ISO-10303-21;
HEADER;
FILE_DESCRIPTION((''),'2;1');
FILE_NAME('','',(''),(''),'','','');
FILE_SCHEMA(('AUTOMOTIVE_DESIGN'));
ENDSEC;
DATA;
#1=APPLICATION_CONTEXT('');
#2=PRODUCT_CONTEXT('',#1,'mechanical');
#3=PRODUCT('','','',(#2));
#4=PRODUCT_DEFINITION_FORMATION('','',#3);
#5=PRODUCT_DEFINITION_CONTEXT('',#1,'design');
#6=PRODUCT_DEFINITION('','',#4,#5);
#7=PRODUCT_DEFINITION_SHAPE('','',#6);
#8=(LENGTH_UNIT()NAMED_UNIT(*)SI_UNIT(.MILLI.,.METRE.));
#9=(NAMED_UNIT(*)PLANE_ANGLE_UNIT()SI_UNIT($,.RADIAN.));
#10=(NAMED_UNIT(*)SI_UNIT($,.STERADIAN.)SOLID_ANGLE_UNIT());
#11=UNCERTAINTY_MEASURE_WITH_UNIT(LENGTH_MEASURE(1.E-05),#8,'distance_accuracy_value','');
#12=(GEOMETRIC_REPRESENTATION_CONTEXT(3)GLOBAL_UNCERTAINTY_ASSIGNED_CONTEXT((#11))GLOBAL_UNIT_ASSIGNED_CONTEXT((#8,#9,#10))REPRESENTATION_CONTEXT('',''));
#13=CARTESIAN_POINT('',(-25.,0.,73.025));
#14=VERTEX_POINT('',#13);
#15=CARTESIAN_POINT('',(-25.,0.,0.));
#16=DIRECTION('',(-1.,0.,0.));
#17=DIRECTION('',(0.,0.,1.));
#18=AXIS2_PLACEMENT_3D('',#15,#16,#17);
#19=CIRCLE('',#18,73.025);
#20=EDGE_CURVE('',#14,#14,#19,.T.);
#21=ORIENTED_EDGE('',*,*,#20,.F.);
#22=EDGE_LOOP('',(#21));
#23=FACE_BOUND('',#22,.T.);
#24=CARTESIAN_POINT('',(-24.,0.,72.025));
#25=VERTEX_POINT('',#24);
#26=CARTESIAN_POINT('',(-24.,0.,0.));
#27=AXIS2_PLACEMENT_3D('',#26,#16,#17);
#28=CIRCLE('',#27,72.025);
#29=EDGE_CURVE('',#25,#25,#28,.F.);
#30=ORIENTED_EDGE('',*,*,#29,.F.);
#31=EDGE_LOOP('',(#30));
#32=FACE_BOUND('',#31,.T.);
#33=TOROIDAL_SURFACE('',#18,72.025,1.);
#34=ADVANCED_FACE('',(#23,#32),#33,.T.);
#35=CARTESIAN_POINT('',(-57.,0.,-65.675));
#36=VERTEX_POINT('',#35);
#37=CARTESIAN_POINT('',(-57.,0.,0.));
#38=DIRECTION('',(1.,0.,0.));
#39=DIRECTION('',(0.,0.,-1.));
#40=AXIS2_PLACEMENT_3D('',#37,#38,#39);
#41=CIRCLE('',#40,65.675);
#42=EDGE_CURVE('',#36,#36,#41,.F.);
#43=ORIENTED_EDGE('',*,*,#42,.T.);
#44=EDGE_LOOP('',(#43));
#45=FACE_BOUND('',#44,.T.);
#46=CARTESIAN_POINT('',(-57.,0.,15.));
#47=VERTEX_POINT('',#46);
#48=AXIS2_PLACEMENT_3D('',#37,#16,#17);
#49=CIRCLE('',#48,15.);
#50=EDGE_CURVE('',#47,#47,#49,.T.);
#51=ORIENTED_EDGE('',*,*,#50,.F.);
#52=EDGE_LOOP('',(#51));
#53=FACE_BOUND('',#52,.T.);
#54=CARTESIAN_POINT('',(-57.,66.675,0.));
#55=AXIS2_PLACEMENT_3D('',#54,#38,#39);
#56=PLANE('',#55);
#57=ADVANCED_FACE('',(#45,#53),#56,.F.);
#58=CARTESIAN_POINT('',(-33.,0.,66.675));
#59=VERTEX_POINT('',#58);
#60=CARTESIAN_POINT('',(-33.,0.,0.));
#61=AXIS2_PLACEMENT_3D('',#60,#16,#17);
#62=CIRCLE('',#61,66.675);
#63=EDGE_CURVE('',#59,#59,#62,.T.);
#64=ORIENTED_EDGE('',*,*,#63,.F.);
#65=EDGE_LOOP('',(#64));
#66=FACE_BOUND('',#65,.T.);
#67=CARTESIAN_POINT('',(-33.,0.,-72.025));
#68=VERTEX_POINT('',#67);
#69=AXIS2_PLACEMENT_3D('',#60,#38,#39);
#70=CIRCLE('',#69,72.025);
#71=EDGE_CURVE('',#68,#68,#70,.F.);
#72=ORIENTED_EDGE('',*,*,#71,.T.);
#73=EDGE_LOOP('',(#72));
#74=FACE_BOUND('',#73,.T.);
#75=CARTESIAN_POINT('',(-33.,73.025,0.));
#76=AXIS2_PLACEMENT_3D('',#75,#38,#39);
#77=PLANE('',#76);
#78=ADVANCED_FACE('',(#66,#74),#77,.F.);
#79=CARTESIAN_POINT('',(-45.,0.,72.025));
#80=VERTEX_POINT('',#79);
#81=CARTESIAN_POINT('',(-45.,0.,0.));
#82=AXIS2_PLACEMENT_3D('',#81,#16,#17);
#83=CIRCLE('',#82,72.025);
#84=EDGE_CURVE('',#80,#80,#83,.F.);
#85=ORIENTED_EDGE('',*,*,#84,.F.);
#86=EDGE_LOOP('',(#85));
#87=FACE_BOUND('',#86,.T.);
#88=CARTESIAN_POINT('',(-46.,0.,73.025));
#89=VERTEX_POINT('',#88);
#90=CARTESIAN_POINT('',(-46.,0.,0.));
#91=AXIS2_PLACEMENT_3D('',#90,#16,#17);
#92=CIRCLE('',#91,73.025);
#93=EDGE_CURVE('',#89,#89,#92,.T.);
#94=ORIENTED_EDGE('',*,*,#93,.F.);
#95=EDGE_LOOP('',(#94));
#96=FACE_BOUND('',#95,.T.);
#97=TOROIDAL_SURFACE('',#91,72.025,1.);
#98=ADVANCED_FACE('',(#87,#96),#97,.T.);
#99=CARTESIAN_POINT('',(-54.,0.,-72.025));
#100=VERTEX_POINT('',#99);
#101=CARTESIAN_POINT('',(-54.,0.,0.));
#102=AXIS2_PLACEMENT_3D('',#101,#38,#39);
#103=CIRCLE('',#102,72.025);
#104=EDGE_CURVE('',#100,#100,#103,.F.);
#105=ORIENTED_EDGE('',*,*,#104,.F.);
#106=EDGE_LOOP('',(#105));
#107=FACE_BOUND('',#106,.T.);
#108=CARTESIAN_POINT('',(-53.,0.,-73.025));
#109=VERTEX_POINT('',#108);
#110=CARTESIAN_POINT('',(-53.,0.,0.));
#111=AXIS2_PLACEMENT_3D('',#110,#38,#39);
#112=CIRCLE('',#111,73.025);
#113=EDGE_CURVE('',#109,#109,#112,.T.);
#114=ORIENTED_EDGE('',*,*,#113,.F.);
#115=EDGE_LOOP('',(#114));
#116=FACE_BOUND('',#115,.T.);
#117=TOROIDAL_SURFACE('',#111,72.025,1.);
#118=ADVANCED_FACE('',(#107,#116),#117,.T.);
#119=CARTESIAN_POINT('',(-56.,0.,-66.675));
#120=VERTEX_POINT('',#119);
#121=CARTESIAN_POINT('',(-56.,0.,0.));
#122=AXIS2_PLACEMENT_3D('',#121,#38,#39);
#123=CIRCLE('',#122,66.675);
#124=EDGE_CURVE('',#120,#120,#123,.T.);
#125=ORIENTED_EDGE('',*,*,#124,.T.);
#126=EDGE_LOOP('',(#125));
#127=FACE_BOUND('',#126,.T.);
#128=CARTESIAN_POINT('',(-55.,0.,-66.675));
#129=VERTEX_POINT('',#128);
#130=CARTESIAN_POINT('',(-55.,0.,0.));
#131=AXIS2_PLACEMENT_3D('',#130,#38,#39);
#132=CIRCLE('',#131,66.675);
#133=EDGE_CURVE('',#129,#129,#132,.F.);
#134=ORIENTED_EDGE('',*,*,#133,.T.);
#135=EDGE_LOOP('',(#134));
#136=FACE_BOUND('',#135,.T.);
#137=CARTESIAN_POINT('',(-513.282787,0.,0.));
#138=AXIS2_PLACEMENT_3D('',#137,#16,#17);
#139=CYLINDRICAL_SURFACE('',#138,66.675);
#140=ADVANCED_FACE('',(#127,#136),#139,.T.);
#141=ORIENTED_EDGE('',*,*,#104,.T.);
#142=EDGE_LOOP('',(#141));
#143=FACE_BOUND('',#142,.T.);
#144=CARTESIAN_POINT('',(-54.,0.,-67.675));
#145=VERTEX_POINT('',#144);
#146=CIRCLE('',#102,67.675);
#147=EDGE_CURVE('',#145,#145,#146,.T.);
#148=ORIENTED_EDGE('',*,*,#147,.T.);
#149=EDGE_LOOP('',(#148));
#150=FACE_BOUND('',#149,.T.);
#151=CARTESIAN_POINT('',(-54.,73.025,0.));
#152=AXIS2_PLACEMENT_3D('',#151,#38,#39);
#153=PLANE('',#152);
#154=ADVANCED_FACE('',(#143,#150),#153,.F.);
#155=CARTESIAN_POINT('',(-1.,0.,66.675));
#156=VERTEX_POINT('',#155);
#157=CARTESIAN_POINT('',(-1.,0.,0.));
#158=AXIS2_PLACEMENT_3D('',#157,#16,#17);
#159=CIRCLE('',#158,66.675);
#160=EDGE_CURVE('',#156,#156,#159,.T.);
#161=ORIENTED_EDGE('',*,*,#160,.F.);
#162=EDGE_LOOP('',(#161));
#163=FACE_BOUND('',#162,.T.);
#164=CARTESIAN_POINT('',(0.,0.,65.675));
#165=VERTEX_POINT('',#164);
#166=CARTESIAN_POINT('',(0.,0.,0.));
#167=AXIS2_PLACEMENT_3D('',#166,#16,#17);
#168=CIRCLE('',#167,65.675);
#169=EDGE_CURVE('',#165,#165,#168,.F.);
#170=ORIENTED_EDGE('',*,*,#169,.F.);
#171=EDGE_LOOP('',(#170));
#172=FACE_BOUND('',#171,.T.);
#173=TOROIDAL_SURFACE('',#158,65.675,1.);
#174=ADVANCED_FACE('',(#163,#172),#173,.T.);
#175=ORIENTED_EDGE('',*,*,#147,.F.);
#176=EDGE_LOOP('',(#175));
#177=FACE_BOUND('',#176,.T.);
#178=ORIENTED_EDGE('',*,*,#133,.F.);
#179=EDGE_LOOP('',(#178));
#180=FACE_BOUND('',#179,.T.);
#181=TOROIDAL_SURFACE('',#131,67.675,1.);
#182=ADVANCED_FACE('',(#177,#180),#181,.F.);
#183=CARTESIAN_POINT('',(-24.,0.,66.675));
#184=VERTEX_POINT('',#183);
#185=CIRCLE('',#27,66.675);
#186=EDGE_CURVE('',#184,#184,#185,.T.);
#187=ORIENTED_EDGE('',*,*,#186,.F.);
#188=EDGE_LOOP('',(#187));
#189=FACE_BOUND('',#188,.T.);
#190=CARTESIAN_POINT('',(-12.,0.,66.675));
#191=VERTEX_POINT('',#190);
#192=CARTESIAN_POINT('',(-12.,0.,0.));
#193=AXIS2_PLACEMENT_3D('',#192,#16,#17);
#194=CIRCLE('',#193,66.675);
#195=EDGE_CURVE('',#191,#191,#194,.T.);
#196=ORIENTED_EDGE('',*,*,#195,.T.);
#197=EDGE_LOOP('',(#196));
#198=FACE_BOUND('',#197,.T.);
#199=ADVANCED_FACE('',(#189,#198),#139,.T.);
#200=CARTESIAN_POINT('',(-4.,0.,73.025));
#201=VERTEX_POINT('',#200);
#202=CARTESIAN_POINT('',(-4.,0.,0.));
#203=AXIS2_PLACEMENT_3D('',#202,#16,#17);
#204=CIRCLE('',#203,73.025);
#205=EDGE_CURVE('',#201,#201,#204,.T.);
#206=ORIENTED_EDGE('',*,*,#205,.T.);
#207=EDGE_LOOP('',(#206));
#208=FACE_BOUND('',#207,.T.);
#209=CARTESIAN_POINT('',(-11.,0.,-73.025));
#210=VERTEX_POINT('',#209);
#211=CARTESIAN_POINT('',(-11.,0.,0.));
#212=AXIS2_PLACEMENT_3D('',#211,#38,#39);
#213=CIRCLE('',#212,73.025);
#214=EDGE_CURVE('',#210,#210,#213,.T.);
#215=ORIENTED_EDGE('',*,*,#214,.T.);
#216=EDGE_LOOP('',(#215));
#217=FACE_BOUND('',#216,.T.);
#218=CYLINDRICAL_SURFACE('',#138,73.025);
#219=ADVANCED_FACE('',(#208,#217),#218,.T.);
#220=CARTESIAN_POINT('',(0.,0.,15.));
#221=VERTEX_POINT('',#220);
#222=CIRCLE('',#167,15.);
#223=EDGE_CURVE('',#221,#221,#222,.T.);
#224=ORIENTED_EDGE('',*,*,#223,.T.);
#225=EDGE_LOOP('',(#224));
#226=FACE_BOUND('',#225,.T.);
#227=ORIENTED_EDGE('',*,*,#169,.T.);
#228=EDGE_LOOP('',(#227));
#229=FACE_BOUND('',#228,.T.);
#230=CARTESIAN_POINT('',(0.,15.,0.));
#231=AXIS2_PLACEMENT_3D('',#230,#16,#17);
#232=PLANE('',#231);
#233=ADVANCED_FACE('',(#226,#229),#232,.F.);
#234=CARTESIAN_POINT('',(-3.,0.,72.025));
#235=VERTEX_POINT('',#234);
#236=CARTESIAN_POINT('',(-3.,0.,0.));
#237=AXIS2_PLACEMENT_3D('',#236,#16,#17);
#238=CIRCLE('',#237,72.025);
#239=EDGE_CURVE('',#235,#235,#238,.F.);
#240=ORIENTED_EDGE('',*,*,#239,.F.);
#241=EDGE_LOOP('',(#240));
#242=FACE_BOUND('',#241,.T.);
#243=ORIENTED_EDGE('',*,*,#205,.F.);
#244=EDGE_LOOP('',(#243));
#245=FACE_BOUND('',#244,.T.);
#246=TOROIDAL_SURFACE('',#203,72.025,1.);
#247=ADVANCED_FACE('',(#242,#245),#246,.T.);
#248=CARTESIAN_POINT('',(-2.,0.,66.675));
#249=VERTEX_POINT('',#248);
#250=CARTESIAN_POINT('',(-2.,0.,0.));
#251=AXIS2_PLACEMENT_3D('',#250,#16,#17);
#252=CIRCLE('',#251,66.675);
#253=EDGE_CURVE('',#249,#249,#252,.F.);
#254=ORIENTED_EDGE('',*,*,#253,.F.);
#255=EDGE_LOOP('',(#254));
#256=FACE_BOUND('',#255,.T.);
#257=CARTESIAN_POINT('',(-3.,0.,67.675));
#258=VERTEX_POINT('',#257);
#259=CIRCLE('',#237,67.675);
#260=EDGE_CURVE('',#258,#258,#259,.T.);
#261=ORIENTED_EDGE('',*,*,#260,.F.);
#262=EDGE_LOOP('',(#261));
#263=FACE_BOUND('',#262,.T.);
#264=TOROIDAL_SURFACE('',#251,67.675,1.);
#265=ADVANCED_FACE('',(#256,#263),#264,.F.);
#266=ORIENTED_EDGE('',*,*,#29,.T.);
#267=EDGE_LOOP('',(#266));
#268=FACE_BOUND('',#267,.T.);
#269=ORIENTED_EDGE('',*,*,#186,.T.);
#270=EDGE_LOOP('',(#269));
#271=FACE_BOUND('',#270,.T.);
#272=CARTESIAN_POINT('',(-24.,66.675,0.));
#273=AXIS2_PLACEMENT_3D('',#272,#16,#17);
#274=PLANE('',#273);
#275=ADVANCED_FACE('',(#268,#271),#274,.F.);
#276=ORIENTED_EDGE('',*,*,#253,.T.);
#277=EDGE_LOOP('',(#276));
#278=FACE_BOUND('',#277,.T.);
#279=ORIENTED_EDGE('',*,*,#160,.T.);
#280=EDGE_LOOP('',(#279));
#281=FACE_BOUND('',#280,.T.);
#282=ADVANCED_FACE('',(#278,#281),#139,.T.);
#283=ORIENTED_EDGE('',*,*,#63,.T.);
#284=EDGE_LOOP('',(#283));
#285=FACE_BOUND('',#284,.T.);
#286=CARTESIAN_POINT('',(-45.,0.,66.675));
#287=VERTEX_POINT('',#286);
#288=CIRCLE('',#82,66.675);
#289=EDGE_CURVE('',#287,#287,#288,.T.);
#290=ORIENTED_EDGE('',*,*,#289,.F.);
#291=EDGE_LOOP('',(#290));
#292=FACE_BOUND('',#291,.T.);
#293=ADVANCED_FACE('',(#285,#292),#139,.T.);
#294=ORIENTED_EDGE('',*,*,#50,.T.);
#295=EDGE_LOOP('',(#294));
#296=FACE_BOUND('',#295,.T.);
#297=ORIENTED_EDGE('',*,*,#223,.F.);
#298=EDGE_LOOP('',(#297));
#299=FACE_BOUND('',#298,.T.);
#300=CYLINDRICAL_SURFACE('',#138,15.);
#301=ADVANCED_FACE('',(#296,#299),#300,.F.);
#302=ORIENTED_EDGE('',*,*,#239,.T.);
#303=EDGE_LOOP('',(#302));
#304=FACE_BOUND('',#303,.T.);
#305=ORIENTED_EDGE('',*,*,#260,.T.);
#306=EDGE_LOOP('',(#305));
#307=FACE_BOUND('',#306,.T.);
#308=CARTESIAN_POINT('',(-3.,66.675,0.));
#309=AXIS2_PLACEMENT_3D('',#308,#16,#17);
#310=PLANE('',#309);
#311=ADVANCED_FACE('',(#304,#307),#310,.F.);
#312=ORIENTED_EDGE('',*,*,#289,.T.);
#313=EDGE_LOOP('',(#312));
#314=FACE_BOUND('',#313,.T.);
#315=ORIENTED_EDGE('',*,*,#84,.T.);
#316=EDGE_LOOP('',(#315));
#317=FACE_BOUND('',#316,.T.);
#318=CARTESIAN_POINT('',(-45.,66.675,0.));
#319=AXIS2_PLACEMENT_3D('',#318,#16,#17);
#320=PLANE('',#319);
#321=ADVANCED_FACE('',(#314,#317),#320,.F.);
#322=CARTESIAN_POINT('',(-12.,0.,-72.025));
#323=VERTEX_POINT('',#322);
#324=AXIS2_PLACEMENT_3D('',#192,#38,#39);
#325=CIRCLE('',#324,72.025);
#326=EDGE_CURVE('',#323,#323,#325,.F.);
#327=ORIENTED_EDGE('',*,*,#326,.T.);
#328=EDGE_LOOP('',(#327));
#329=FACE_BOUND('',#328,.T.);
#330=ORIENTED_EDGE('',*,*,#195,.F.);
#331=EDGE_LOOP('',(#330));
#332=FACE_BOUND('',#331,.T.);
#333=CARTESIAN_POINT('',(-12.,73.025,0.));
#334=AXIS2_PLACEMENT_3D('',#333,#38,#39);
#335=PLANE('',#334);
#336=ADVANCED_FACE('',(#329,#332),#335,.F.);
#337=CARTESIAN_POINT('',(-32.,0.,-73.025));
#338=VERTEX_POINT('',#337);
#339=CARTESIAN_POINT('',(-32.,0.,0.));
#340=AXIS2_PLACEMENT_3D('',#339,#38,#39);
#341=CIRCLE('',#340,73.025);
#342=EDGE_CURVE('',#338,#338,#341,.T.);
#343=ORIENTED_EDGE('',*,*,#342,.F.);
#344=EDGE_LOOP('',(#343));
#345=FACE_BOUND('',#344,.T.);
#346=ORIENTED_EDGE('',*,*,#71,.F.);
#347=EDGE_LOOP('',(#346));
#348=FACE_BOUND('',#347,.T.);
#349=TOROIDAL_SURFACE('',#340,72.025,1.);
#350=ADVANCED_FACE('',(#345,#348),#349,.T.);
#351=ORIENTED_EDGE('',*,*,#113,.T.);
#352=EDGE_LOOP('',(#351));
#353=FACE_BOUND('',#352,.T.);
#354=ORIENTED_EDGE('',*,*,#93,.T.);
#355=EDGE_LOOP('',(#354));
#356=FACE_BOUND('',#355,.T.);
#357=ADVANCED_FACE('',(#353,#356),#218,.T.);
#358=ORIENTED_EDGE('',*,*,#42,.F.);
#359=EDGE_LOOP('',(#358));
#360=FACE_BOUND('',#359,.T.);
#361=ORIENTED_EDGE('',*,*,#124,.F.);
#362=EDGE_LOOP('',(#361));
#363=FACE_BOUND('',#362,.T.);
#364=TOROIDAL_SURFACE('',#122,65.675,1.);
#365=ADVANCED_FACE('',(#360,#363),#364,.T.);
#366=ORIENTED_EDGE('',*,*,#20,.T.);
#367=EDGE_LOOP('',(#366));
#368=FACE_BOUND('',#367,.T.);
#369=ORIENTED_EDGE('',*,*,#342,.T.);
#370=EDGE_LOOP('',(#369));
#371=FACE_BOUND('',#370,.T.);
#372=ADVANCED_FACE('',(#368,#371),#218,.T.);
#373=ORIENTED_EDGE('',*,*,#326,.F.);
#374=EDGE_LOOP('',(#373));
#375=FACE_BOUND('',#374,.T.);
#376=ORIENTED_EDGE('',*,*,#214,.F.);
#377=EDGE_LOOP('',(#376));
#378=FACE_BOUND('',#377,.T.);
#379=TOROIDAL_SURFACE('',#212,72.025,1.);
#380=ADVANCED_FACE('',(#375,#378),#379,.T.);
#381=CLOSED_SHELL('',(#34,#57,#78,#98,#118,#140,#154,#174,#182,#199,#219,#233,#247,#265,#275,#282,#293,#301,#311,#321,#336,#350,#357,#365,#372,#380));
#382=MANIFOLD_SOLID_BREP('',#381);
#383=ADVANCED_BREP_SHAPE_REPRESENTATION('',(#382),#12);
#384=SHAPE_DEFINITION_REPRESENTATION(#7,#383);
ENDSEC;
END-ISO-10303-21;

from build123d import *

# Parameters (mm, degrees)
FILLET1_R = 1


with BuildPart() as part:
    # Sketch1 → Revolve1 (revolve)
    with BuildSketch(Plane.XY):
        Polygon((0, 15), (0, 66.675), (-3, 66.675), (-3, 73.025), (-12, 73.025), (-12, 66.675), (-24, 66.675), (-24, 73.025), (-33, 73.025), (-33, 66.675), (-45, 66.675), (-45, 73.025), (-54, 73.025), (-54, 66.675), (-57, 66.675), (-57, 15), align=None)
    revolve(axis=Axis((-513.282786888, 0, 0), (1, 0, 0)))

    # Fillet1
    fillet1_edges = [part.edges().sort_by_distance(p)[0] for p in [
        (-57, -66.675, 0),
        (-54, -66.675, 0),
        (-54, -73.025, 0),
        (-45, -73.025, 0),
        (-33, -73.025, 0),
        (-24, -73.025, 0),
        (-12, -73.025, 0),
        (-3, -73.025, 0),
        (-3, -66.675, 0),
        (0, -66.675, 0),
    ]]
    fillet(fillet1_edges, radius=FILLET1_R)


solid = part.part
